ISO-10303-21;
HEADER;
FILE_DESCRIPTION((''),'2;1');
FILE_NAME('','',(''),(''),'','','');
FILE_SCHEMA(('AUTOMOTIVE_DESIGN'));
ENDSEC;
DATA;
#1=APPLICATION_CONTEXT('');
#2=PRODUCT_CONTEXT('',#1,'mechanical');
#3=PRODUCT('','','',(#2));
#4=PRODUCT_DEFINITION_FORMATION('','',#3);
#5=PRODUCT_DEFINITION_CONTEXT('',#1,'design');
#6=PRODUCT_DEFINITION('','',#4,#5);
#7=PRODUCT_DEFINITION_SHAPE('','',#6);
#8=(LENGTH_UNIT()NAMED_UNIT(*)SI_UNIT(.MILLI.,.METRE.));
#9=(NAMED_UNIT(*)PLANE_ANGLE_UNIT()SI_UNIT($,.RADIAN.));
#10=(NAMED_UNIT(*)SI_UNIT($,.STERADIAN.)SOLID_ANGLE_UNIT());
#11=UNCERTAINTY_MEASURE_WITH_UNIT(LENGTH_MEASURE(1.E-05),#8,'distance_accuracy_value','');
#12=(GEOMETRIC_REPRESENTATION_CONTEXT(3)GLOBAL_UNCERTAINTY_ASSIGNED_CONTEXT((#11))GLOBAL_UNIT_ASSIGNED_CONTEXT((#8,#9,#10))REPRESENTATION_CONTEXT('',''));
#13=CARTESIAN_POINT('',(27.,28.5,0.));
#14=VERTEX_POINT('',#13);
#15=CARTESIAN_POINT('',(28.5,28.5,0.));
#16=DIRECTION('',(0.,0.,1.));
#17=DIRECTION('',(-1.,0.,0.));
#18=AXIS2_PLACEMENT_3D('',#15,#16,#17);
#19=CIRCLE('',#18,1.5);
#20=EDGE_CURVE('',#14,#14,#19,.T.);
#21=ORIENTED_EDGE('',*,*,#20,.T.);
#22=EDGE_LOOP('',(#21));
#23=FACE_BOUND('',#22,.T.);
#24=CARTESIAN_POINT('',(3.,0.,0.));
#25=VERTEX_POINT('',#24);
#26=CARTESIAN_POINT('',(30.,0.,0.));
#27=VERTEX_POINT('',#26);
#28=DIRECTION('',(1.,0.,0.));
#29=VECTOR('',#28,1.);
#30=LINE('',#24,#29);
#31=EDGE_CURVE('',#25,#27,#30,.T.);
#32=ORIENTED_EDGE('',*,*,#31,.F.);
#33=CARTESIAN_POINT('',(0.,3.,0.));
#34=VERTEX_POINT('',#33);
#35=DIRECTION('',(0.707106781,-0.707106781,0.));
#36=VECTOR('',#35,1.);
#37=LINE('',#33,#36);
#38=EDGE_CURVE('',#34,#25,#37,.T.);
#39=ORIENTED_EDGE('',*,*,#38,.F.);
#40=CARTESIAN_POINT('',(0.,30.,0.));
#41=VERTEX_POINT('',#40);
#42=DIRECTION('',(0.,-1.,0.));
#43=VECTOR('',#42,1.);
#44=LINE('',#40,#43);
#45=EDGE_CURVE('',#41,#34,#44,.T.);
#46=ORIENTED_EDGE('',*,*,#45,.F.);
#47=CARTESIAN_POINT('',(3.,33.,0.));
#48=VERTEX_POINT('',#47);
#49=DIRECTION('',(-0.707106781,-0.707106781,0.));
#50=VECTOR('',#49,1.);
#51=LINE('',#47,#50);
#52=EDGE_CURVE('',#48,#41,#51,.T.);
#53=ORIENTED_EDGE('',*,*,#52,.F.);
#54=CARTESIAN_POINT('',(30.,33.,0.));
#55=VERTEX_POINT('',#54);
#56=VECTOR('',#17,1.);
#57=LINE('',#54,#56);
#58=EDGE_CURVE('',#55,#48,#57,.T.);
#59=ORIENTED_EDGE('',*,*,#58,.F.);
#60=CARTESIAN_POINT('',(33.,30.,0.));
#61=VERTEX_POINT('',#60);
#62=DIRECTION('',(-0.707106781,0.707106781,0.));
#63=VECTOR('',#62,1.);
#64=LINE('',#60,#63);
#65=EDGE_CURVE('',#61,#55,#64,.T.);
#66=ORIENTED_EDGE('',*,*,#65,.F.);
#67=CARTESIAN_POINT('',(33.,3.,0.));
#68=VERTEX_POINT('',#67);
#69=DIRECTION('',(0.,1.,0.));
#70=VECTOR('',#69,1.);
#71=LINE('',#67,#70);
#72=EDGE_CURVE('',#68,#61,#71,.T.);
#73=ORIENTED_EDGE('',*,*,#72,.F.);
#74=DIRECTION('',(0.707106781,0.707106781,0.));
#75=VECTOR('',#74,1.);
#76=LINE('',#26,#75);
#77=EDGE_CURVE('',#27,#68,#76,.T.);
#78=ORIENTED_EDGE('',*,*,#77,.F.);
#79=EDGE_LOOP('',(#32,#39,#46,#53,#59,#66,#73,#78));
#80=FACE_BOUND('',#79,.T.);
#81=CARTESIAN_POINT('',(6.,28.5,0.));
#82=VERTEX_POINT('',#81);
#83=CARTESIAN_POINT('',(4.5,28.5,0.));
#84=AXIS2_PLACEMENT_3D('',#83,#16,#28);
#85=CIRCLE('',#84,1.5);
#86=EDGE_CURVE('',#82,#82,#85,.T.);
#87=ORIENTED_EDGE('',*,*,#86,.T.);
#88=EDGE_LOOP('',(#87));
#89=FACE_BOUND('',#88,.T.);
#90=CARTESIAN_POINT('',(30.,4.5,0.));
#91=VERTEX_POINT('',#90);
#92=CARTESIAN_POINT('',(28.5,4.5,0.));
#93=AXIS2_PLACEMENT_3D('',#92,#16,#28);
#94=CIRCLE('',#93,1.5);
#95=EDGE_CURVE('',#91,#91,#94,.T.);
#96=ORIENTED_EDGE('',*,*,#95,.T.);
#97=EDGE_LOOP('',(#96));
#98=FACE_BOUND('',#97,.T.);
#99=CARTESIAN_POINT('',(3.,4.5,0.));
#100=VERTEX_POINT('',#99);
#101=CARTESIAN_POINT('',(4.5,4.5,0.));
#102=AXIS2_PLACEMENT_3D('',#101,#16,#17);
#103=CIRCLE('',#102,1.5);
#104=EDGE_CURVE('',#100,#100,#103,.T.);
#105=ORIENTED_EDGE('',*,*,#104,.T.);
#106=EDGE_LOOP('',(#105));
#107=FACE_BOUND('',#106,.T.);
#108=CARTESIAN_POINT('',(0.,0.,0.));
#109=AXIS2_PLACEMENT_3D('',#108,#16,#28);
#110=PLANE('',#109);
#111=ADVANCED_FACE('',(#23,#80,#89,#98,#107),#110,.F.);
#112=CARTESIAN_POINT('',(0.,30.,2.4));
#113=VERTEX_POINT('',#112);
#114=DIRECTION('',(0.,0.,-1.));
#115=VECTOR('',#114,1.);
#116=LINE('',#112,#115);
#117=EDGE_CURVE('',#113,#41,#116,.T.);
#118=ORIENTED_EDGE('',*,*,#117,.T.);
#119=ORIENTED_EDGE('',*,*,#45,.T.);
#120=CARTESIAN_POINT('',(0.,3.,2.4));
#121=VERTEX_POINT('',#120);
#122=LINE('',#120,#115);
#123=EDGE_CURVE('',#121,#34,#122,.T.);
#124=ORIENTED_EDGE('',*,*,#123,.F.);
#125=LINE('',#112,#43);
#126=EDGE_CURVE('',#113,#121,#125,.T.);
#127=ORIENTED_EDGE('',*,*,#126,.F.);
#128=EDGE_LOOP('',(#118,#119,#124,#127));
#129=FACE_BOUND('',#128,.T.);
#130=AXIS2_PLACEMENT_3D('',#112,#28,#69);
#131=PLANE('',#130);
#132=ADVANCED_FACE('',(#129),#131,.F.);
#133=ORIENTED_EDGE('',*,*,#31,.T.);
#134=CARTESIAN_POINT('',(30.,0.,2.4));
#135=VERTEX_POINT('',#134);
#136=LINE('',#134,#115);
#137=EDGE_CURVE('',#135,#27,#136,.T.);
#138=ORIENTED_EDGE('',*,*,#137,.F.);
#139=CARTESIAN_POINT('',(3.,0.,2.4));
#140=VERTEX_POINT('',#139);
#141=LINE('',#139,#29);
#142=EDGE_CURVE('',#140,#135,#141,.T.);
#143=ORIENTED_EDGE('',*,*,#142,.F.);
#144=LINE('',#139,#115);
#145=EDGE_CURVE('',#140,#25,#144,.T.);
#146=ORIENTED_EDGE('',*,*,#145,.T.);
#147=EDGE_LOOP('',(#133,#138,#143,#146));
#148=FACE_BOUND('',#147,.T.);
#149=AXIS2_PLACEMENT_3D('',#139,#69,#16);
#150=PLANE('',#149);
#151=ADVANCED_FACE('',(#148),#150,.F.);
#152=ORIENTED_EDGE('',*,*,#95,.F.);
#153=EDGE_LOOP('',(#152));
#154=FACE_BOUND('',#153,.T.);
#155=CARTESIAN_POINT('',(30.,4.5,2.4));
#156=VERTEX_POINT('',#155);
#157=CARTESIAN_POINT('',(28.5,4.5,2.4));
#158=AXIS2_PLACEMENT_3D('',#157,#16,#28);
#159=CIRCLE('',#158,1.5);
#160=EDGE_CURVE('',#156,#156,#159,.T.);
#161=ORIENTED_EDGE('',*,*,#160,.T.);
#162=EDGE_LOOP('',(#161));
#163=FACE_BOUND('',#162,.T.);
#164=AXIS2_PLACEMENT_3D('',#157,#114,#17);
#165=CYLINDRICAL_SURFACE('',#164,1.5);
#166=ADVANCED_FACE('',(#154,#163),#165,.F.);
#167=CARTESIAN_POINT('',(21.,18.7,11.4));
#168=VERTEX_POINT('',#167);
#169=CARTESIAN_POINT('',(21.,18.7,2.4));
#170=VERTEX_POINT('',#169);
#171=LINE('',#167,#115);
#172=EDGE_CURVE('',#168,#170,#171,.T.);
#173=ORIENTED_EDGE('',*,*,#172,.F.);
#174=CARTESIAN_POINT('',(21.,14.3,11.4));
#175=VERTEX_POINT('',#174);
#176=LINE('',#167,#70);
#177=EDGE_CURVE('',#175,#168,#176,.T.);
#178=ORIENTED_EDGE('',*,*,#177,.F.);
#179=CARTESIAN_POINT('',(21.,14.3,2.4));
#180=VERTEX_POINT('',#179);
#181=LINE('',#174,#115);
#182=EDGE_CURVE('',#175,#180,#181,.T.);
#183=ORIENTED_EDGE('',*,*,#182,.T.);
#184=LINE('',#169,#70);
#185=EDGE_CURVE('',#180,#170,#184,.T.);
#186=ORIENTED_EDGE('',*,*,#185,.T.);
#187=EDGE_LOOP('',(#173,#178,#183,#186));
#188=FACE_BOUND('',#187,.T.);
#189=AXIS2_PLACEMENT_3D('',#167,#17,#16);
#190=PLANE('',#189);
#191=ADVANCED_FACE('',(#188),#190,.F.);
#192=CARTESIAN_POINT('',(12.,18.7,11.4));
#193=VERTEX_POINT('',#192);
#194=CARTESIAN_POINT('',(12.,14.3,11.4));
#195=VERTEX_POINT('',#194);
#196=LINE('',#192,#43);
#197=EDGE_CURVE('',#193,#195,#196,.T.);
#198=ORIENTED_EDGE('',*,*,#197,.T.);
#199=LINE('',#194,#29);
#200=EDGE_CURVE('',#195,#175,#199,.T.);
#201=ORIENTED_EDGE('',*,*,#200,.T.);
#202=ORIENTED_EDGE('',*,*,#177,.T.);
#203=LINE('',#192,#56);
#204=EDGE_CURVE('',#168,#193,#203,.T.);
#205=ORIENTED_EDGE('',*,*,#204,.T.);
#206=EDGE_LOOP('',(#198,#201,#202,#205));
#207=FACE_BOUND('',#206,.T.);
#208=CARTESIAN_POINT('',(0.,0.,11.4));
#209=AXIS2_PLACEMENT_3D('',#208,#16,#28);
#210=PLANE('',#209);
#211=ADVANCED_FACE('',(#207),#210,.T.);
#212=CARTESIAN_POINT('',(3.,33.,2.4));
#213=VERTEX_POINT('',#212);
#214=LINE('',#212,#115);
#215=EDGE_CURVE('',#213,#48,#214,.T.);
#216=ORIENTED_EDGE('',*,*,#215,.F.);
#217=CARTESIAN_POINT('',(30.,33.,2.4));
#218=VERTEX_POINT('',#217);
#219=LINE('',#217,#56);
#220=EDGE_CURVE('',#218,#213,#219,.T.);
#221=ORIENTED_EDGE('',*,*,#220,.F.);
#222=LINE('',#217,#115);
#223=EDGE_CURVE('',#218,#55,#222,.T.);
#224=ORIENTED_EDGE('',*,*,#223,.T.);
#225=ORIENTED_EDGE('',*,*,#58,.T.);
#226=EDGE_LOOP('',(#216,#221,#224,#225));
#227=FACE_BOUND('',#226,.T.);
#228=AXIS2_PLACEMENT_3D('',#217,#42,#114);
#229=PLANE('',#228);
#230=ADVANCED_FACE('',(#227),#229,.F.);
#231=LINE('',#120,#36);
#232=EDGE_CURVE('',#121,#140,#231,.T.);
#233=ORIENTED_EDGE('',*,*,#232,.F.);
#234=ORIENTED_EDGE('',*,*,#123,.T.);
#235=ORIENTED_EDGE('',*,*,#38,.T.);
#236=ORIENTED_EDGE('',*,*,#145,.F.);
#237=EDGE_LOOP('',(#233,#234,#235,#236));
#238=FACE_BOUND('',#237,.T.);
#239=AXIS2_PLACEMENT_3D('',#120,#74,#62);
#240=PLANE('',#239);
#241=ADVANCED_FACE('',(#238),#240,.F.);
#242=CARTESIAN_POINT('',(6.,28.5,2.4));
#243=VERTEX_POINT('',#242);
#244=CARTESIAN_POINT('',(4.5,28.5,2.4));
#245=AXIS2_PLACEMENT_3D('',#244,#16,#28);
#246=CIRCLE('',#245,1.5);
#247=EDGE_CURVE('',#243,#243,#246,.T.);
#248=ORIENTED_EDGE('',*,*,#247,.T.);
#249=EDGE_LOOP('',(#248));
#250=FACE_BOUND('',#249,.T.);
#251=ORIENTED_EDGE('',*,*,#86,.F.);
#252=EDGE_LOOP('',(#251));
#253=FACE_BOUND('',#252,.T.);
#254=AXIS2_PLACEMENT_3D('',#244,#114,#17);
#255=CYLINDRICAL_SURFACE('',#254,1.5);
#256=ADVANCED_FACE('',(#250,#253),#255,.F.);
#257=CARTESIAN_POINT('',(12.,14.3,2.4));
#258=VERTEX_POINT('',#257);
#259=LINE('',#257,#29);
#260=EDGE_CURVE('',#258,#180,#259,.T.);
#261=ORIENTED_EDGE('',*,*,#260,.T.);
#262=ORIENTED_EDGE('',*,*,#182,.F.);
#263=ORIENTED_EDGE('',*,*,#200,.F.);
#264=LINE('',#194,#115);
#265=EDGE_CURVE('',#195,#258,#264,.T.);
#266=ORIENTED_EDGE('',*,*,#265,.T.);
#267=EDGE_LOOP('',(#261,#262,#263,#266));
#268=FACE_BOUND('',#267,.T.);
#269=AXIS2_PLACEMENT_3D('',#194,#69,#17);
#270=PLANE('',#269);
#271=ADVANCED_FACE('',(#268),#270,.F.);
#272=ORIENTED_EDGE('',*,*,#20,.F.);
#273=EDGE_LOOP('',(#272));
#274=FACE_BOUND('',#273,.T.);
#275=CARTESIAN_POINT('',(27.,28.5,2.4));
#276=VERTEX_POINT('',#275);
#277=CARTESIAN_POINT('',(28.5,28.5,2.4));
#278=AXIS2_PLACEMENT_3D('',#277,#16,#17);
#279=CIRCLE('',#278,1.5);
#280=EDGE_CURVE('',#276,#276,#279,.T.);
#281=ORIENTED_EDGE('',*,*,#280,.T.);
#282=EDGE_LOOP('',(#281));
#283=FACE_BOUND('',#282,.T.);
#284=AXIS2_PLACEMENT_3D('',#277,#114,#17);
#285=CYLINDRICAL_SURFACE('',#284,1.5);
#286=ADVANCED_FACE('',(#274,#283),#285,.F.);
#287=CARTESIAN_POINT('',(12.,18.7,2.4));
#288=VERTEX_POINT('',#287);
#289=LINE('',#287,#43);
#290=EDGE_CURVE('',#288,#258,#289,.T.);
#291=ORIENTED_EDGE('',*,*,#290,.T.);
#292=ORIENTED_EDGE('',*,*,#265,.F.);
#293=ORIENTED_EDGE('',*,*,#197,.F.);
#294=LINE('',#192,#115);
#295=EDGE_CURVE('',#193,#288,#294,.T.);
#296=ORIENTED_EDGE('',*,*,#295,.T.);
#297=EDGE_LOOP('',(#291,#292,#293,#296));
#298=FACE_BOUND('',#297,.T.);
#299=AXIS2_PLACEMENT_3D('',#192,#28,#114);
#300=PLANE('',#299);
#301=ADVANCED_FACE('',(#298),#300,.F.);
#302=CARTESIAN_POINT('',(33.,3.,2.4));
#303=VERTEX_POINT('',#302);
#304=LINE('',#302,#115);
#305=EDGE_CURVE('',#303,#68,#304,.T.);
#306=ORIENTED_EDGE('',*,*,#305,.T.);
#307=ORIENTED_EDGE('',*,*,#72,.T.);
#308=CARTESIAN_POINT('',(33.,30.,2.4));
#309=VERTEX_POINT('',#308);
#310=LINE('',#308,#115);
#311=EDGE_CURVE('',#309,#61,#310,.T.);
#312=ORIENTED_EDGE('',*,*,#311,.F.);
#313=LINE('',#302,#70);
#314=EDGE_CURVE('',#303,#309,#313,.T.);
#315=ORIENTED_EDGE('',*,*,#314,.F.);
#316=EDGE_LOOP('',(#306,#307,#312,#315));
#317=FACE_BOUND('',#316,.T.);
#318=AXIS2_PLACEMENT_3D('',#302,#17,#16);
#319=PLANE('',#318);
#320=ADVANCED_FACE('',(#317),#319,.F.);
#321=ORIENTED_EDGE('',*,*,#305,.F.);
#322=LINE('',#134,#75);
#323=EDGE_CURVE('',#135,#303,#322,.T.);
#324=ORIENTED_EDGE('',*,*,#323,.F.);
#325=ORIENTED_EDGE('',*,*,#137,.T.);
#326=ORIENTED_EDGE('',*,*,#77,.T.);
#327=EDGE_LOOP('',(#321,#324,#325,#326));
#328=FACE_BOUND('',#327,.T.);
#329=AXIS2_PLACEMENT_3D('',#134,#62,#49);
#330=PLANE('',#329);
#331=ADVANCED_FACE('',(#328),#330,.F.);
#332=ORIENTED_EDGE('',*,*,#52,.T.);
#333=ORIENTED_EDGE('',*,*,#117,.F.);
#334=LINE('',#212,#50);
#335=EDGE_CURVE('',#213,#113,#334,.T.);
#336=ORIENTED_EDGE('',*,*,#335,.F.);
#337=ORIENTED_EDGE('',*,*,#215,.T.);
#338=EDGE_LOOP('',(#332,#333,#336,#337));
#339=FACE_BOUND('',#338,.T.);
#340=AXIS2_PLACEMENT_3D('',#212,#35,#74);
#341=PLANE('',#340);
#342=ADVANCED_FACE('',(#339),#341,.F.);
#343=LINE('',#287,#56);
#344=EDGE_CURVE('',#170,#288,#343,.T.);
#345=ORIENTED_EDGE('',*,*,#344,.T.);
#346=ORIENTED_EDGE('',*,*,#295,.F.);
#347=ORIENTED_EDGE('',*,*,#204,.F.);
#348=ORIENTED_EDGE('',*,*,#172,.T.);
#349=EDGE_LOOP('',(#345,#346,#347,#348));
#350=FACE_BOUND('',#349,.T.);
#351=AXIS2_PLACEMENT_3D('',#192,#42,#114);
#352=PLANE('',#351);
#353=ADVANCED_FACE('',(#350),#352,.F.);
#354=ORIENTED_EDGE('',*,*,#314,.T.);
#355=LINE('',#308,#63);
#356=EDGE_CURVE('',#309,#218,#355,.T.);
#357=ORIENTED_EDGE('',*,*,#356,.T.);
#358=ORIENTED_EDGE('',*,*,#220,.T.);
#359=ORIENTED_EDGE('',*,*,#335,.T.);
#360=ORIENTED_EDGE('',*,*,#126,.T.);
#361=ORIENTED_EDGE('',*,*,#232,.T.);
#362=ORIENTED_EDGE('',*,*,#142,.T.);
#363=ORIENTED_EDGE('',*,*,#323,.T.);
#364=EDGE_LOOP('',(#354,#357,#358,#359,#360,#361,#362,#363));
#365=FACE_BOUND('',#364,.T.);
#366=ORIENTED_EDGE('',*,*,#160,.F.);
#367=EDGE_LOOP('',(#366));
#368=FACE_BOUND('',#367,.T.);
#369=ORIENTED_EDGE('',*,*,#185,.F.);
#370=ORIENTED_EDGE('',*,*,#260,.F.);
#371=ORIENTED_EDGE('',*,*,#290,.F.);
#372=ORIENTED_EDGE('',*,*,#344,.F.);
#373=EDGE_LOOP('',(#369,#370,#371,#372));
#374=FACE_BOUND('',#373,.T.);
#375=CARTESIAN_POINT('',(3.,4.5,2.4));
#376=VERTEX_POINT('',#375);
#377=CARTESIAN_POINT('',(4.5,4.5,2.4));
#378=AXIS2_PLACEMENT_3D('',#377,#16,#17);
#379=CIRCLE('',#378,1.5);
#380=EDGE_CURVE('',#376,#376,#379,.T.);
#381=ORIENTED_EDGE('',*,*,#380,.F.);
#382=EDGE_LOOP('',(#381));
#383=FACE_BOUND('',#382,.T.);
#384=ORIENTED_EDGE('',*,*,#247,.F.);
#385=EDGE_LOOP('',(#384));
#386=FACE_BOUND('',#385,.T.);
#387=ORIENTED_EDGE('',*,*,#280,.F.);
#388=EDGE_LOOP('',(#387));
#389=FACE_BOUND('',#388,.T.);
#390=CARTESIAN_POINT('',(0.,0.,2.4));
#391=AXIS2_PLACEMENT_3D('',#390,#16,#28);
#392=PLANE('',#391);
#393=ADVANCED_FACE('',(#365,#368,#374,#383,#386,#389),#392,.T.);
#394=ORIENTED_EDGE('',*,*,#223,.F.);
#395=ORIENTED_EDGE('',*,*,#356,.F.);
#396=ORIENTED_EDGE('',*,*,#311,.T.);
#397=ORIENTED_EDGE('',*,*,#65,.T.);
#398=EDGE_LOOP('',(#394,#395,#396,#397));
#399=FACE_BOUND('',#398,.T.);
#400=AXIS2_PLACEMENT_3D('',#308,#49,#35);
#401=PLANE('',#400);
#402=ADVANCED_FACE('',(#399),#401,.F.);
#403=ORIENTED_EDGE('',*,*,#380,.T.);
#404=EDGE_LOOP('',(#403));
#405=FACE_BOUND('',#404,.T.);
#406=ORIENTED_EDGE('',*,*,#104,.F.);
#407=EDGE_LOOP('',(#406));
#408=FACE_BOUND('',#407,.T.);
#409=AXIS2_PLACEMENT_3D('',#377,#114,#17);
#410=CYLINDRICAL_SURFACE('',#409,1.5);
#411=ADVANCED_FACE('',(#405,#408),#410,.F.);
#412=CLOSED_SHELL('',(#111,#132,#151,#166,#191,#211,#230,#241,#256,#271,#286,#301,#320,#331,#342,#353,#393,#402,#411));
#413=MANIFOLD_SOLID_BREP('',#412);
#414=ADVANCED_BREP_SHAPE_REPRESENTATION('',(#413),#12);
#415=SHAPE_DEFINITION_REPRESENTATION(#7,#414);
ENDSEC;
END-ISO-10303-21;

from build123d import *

# Parameters (mm, degrees)
ESQUISSE1_R        = 1.5
BOSS_EXTRU_1_DEPTH = 2.4
ESQUISSE2_W        = 9
ESQUISSE2_H        = 4.4
BOSS_EXTRU_2_DEPTH = 9


with BuildPart() as part:
    # Esquisse1 → Boss.-Extru.1 (new body)
    with BuildSketch(Plane.XY):
        Polygon((0, 30), (0, 3), (3, 0), (30, 0), (33, 3), (33, 30), (30, 33), (3, 33), align=None)
        with Locations((4.5, 28.5)):
            Circle(ESQUISSE1_R, mode=Mode.SUBTRACT)
        with Locations(Location((28.5, 28.5, 0), (0, 0, 180))):
            Circle(ESQUISSE1_R, mode=Mode.SUBTRACT)
        with Locations(Location((4.5, 4.5, 0), (0, 0, 180))):
            Circle(ESQUISSE1_R, mode=Mode.SUBTRACT)
        with Locations((28.5, 4.5)):
            Circle(ESQUISSE1_R, mode=Mode.SUBTRACT)
    extrude(amount=BOSS_EXTRU_1_DEPTH)

    # Esquisse2 → Boss.-Extru.2 (add)
    with BuildSketch(Plane.XY.offset(2.4)):
        with Locations((16.5, 16.5)):
            Rectangle(ESQUISSE2_W, ESQUISSE2_H)
    extrude(amount=BOSS_EXTRU_2_DEPTH)


solid = part.part
